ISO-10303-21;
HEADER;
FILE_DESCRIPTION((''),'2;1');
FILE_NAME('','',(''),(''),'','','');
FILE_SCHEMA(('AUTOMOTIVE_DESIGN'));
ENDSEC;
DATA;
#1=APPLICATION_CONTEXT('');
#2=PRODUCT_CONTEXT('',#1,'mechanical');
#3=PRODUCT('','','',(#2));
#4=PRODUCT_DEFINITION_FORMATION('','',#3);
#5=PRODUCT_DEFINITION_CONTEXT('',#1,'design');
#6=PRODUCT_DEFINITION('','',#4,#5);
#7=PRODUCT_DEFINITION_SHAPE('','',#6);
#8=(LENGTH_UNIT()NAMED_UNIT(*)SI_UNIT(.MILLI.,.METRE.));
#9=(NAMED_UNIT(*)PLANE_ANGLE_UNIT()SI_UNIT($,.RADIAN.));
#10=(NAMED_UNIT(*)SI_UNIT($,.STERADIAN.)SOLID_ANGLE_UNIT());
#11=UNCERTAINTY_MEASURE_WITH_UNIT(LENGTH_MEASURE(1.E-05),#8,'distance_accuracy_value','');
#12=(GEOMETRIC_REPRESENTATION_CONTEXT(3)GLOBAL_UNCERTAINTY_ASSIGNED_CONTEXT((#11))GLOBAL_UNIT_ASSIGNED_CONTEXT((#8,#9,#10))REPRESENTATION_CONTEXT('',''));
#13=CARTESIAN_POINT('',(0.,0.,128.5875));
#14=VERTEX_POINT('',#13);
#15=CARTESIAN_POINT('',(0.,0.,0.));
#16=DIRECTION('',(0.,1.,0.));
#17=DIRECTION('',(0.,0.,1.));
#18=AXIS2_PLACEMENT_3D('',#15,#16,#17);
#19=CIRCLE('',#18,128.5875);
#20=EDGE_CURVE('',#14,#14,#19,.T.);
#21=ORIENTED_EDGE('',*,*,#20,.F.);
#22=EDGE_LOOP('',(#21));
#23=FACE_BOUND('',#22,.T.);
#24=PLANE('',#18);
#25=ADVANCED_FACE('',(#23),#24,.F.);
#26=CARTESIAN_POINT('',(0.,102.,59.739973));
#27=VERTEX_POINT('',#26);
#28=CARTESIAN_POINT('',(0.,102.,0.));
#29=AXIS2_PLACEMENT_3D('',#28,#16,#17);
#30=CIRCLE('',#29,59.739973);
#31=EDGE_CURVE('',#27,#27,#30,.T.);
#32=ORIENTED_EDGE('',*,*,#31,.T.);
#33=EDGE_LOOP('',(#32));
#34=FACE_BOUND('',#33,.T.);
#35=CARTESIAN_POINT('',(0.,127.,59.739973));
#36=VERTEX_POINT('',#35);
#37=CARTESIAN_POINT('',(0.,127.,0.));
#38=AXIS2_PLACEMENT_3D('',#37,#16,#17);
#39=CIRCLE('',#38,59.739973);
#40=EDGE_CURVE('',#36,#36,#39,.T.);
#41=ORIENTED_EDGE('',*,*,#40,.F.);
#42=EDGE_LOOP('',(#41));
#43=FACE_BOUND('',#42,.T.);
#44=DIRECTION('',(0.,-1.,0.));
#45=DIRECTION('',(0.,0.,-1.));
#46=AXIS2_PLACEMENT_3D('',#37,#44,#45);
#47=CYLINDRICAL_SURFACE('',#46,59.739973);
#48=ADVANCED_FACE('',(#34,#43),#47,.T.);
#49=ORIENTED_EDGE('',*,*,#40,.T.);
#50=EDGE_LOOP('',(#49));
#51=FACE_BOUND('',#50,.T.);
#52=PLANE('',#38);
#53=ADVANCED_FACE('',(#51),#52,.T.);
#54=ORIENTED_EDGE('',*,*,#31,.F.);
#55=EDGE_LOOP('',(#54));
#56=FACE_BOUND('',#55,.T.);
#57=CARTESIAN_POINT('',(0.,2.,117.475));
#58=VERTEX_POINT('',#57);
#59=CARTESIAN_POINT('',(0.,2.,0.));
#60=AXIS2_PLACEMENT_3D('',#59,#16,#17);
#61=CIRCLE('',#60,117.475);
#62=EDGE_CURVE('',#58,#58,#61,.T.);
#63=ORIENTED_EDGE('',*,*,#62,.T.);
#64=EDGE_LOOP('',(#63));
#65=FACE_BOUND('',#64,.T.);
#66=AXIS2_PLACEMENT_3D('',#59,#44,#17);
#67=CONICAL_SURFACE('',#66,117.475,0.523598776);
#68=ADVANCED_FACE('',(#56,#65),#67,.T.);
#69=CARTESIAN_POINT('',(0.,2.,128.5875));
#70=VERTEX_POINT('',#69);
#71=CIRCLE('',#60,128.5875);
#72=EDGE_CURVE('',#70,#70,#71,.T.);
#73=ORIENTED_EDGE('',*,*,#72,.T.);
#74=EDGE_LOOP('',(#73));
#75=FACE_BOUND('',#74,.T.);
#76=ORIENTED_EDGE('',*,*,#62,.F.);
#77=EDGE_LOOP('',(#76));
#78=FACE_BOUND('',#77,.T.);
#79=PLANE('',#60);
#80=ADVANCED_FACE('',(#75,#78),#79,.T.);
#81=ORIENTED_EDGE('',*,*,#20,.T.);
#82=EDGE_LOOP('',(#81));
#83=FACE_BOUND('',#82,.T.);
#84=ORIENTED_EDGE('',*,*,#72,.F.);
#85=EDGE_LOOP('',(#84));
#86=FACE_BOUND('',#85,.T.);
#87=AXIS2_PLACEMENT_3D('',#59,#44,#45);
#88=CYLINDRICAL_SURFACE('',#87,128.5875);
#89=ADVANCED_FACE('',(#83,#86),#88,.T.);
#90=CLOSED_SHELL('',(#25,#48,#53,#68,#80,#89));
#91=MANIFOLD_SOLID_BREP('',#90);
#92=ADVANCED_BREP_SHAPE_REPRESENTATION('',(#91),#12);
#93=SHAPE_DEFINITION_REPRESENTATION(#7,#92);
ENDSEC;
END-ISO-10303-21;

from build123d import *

# Parameters (mm, degrees)
SKETCH1_R           = 128.5875
BOSS_EXTRUDE1_DEPTH = 2
SKETCH2_R           = 117.475
BOSS_EXTRUDE2_DEPTH = 100
BOSS_EXTRUDE2_TAPER = 30
SKETCH6_R           = 59.739973081
BOSS_EXTRUDE3_DEPTH = 25


with BuildPart() as part:
    # Sketch1 → Boss-Extrude1 (new body)
    with BuildSketch(Plane(origin=(0, 0, 0), x_dir=(1, 0, 0), z_dir=(0, 1, 0))):
        with Locations(Location((0, 0, 0), (0, 0, 270))):
            Circle(SKETCH1_R)
    extrude(amount=BOSS_EXTRUDE1_DEPTH)

    # Sketch2 → Boss-Extrude2 (add)
    with BuildSketch(Plane(origin=(0, 2, 0), x_dir=(1, 0, 0), z_dir=(0, 1, 0))):
        Circle(SKETCH2_R)
    extrude(amount=BOSS_EXTRUDE2_DEPTH, taper=BOSS_EXTRUDE2_TAPER)

    # Sketch6 → Boss-Extrude3 (add)
    with BuildSketch(Plane(origin=(0, 102, 0), x_dir=(1, 0, 0), z_dir=(0, 1, 0))):
        with Locations(Location((0, 0, 0), (0, 0, 270))):
            Circle(SKETCH6_R)
    extrude(amount=BOSS_EXTRUDE3_DEPTH)


solid = part.part
